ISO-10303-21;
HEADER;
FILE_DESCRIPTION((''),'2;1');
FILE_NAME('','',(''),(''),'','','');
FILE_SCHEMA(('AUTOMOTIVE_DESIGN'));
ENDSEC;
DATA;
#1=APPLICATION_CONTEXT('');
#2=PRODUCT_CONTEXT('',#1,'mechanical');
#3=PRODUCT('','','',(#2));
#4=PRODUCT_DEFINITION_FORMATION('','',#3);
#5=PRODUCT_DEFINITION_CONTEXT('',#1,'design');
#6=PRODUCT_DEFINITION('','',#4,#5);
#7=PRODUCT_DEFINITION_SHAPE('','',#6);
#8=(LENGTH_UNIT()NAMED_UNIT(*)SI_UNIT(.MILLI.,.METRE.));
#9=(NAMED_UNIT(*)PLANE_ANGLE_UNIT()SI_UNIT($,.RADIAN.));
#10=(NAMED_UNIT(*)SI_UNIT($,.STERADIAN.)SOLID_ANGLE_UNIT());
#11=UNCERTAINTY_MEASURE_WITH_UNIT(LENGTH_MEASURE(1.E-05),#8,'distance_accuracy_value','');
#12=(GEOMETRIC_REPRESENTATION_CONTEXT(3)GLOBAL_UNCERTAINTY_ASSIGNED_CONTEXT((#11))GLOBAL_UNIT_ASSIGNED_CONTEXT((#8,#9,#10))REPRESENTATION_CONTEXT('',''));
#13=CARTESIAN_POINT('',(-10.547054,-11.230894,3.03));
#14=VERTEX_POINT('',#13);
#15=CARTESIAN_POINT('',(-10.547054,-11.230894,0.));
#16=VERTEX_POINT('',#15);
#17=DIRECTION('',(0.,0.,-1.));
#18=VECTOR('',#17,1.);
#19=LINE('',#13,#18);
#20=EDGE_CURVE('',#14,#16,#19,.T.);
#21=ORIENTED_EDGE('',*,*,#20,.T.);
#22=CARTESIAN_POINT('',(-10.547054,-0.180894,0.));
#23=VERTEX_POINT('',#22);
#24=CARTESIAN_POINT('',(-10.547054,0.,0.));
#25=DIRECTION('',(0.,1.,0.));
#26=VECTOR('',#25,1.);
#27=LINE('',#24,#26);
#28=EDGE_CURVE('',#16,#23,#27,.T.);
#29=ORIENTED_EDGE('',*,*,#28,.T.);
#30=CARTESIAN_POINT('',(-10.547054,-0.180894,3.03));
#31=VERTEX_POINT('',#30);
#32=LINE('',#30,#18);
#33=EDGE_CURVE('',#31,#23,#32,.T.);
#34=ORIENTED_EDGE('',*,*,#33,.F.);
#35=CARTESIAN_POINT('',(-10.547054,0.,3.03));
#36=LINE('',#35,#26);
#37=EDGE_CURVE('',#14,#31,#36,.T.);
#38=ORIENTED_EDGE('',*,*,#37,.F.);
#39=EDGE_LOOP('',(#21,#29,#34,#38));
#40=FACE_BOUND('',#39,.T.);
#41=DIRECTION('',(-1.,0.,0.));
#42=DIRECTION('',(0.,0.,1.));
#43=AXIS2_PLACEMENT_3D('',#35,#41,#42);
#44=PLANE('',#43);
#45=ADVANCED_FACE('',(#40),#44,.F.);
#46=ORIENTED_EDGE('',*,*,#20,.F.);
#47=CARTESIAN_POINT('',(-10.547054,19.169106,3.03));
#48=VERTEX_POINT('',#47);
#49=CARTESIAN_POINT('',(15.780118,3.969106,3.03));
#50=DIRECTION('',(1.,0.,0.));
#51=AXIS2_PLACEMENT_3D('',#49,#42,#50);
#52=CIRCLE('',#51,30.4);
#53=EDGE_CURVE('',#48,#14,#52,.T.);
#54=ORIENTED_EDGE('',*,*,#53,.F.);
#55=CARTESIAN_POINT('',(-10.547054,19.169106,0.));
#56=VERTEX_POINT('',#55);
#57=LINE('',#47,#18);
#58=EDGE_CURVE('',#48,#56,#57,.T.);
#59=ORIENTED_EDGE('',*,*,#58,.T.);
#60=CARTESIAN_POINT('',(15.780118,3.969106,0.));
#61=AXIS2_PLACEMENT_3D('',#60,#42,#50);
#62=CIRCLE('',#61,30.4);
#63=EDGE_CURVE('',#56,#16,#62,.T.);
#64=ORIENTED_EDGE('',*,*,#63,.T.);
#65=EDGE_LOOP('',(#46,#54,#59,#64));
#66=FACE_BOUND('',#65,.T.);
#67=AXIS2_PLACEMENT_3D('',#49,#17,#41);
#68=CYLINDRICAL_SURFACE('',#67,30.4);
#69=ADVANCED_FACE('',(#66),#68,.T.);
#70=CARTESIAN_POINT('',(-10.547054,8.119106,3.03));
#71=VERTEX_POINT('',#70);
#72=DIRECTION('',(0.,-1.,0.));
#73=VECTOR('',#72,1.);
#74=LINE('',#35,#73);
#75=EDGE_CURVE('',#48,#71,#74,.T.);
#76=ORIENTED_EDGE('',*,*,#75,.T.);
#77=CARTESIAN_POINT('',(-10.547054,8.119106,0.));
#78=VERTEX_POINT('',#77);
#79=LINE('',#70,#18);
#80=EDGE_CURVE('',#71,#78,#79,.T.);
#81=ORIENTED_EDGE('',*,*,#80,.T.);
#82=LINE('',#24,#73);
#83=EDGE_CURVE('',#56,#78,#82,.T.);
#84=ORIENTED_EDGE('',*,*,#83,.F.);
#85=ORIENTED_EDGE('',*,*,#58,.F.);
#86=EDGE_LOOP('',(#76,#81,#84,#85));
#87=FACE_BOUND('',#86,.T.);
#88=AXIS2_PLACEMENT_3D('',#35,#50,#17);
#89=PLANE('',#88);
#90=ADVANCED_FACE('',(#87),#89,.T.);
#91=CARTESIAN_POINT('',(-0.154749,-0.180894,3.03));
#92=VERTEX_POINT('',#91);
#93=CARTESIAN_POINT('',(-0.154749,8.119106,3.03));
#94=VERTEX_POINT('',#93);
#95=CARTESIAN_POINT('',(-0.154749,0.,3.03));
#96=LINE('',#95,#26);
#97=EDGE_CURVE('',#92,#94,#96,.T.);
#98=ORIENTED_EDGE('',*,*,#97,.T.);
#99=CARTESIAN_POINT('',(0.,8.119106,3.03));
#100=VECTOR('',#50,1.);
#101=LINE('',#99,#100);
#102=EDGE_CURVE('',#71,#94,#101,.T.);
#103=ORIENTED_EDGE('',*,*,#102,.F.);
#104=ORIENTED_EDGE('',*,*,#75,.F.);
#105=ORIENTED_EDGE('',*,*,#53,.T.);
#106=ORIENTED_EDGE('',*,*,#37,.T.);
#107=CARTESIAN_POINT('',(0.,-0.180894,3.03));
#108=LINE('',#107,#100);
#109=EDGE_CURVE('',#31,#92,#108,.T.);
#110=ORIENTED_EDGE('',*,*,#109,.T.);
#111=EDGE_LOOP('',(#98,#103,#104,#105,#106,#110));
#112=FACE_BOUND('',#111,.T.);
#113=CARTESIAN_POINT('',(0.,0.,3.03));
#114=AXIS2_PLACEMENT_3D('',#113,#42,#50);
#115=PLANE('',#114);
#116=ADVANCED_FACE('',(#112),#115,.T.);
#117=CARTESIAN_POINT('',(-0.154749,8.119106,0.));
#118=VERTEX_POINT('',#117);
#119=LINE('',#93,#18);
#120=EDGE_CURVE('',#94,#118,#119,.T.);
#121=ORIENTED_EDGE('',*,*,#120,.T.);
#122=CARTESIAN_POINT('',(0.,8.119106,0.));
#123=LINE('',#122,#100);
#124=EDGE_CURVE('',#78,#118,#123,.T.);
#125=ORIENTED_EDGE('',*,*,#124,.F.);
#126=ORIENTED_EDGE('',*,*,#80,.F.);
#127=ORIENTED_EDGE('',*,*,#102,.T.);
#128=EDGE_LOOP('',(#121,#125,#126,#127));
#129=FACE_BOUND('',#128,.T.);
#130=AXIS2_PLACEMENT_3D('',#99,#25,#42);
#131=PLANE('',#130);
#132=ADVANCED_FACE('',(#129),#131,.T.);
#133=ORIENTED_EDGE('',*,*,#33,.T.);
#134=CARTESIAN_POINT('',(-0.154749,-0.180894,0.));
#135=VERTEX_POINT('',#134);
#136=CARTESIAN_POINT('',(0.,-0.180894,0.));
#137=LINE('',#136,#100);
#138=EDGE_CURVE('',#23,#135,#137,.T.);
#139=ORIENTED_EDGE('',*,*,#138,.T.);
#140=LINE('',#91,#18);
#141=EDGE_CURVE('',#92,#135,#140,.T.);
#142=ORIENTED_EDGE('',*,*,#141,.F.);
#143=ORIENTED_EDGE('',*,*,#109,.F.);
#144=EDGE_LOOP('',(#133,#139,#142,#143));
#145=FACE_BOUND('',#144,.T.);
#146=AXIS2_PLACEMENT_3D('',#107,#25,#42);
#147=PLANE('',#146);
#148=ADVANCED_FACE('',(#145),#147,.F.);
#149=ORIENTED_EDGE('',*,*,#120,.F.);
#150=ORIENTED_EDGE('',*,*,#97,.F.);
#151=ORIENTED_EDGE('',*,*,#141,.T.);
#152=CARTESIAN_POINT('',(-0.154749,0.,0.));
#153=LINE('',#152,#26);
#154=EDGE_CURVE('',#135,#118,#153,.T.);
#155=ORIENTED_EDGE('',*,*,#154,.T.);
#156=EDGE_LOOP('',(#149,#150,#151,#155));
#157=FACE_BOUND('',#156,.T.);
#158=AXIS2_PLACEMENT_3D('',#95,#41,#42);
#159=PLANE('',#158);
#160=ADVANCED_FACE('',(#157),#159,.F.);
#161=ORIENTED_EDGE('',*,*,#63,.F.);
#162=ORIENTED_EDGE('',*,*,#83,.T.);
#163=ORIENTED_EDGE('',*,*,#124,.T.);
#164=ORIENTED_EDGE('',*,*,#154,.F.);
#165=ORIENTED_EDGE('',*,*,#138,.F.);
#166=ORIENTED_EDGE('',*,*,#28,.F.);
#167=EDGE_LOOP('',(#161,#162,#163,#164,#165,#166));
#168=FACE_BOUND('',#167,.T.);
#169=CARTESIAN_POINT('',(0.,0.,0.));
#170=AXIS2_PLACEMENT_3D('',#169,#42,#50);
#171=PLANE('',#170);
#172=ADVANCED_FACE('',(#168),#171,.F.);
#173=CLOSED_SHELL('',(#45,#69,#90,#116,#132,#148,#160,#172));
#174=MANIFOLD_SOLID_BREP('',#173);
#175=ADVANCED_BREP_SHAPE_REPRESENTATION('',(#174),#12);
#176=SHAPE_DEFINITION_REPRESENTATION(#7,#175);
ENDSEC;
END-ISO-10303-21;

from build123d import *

# Parameters (mm, degrees)
BOSS_EXTRUDE2_DEPTH = 3.03


with BuildPart() as part:
    # Sketch4 → Boss-Extrude2 (new body)
    with BuildSketch(Plane.XY):
        with BuildLine():
            Line((-10.547054114, 19.169106214), (-10.547054114, 8.119106214))
            Line((-10.547054114, 8.119106214), (-0.154749269, 8.119106214))
            Line((-0.154749269, 8.119106214), (-0.154749269, -0.180893786))
            Line((-0.154749269, -0.180893786), (-10.547054114, -0.180893786))
            Line((-10.547054114, -0.180893786), (-10.547054114, -11.230893786))
            ThreePointArc((-10.547054114, -11.230893786), (-14.619881839, 3.969106214), (-10.547054114, 19.169106214))
        make_face()
    extrude(amount=BOSS_EXTRUDE2_DEPTH)


solid = part.part
